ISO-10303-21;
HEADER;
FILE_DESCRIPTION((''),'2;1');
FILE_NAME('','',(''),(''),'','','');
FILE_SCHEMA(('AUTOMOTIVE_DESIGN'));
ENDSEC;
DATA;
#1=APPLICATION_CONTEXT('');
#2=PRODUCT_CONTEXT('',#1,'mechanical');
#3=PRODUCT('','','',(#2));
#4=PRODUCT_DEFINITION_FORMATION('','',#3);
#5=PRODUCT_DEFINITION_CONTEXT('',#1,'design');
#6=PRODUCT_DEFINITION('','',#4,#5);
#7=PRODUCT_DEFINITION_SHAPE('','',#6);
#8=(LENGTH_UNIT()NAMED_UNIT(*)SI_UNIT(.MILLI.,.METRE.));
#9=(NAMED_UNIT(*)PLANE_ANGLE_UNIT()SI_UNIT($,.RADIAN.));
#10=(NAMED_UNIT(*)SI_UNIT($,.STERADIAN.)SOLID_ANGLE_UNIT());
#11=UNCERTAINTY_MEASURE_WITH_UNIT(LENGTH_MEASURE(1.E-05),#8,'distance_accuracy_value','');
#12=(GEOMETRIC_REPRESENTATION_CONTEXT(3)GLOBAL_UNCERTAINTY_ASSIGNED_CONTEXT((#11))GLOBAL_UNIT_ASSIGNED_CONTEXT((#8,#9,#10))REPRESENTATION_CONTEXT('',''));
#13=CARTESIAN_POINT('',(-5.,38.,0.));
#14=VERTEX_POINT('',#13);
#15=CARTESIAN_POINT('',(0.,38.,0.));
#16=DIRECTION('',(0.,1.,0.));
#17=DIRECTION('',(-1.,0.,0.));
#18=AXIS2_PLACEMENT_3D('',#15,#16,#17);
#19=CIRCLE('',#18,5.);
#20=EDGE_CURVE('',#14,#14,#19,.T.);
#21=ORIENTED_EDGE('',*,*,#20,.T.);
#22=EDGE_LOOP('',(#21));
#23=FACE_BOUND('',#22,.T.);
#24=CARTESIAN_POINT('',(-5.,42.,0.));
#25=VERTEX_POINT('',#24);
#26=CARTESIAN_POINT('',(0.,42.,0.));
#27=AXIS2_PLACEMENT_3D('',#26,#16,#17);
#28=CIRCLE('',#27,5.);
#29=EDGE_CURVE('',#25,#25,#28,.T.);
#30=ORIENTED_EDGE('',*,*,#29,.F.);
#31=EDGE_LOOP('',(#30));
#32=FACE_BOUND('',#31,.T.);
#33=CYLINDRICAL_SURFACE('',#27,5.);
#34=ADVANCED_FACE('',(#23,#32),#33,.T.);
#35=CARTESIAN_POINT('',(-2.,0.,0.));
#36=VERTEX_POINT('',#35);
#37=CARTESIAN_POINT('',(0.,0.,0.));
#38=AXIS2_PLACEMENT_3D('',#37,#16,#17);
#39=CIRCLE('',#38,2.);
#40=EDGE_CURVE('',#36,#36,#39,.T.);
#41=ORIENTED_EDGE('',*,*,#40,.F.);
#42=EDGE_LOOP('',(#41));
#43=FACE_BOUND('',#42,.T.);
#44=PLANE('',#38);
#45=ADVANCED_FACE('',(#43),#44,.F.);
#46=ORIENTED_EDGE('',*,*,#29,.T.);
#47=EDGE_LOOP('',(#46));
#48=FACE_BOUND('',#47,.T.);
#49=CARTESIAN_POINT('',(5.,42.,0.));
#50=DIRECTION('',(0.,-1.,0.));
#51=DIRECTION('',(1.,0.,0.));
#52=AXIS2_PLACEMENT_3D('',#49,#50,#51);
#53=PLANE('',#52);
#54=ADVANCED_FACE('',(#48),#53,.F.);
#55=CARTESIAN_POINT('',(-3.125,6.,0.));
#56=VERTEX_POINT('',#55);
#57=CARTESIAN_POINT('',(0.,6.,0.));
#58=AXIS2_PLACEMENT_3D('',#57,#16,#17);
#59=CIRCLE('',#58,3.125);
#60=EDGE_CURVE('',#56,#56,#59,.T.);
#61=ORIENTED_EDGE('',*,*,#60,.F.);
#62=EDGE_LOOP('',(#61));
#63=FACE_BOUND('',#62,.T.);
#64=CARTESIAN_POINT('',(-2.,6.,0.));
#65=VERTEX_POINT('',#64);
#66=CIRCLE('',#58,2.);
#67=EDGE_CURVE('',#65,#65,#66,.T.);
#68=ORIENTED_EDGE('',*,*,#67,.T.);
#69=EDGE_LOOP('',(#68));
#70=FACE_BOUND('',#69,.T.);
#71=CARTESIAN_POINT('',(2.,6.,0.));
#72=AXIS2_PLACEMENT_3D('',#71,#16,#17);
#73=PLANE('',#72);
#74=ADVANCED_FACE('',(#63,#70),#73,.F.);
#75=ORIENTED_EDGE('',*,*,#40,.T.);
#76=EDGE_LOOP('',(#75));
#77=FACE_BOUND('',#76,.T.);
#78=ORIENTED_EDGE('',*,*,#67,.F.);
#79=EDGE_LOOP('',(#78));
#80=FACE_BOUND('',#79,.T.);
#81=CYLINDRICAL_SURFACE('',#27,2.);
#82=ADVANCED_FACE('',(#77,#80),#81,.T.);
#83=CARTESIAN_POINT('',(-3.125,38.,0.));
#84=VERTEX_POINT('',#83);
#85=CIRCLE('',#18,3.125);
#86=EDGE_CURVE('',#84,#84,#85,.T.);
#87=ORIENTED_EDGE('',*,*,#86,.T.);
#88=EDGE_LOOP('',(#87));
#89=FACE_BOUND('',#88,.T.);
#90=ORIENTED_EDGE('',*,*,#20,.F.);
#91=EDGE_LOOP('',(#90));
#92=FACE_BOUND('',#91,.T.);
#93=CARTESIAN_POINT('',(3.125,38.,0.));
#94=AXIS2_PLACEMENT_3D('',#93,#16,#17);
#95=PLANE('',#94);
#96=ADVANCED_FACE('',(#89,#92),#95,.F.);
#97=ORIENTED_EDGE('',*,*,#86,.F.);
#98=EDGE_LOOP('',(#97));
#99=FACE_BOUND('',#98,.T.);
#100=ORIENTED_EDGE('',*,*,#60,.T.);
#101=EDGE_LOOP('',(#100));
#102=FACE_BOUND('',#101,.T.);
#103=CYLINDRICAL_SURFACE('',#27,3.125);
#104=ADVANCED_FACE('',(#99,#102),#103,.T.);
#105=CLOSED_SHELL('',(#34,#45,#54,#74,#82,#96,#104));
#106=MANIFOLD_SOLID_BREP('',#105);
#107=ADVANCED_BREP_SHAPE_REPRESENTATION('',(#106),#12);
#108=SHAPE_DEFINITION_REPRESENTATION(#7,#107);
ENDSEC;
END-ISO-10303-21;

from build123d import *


with BuildPart() as part:
    # Sketch2 → Revolve1 (revolve)
    with BuildSketch(Plane.XY, mode=Mode.PRIVATE) as revolve1_sk:
        Polygon((0, 0), (2, 0), (2, 6), (3.125, 6), (3.125, 38), (5, 38), (5, 42), (0, 42), align=None)
    revolve(revolve1_sk.sketch.rotate(Axis((0, 42, 0), (0, -1, 0)), 180), axis=Axis((0, 42, 0), (0, -1, 0)))


solid = part.part
